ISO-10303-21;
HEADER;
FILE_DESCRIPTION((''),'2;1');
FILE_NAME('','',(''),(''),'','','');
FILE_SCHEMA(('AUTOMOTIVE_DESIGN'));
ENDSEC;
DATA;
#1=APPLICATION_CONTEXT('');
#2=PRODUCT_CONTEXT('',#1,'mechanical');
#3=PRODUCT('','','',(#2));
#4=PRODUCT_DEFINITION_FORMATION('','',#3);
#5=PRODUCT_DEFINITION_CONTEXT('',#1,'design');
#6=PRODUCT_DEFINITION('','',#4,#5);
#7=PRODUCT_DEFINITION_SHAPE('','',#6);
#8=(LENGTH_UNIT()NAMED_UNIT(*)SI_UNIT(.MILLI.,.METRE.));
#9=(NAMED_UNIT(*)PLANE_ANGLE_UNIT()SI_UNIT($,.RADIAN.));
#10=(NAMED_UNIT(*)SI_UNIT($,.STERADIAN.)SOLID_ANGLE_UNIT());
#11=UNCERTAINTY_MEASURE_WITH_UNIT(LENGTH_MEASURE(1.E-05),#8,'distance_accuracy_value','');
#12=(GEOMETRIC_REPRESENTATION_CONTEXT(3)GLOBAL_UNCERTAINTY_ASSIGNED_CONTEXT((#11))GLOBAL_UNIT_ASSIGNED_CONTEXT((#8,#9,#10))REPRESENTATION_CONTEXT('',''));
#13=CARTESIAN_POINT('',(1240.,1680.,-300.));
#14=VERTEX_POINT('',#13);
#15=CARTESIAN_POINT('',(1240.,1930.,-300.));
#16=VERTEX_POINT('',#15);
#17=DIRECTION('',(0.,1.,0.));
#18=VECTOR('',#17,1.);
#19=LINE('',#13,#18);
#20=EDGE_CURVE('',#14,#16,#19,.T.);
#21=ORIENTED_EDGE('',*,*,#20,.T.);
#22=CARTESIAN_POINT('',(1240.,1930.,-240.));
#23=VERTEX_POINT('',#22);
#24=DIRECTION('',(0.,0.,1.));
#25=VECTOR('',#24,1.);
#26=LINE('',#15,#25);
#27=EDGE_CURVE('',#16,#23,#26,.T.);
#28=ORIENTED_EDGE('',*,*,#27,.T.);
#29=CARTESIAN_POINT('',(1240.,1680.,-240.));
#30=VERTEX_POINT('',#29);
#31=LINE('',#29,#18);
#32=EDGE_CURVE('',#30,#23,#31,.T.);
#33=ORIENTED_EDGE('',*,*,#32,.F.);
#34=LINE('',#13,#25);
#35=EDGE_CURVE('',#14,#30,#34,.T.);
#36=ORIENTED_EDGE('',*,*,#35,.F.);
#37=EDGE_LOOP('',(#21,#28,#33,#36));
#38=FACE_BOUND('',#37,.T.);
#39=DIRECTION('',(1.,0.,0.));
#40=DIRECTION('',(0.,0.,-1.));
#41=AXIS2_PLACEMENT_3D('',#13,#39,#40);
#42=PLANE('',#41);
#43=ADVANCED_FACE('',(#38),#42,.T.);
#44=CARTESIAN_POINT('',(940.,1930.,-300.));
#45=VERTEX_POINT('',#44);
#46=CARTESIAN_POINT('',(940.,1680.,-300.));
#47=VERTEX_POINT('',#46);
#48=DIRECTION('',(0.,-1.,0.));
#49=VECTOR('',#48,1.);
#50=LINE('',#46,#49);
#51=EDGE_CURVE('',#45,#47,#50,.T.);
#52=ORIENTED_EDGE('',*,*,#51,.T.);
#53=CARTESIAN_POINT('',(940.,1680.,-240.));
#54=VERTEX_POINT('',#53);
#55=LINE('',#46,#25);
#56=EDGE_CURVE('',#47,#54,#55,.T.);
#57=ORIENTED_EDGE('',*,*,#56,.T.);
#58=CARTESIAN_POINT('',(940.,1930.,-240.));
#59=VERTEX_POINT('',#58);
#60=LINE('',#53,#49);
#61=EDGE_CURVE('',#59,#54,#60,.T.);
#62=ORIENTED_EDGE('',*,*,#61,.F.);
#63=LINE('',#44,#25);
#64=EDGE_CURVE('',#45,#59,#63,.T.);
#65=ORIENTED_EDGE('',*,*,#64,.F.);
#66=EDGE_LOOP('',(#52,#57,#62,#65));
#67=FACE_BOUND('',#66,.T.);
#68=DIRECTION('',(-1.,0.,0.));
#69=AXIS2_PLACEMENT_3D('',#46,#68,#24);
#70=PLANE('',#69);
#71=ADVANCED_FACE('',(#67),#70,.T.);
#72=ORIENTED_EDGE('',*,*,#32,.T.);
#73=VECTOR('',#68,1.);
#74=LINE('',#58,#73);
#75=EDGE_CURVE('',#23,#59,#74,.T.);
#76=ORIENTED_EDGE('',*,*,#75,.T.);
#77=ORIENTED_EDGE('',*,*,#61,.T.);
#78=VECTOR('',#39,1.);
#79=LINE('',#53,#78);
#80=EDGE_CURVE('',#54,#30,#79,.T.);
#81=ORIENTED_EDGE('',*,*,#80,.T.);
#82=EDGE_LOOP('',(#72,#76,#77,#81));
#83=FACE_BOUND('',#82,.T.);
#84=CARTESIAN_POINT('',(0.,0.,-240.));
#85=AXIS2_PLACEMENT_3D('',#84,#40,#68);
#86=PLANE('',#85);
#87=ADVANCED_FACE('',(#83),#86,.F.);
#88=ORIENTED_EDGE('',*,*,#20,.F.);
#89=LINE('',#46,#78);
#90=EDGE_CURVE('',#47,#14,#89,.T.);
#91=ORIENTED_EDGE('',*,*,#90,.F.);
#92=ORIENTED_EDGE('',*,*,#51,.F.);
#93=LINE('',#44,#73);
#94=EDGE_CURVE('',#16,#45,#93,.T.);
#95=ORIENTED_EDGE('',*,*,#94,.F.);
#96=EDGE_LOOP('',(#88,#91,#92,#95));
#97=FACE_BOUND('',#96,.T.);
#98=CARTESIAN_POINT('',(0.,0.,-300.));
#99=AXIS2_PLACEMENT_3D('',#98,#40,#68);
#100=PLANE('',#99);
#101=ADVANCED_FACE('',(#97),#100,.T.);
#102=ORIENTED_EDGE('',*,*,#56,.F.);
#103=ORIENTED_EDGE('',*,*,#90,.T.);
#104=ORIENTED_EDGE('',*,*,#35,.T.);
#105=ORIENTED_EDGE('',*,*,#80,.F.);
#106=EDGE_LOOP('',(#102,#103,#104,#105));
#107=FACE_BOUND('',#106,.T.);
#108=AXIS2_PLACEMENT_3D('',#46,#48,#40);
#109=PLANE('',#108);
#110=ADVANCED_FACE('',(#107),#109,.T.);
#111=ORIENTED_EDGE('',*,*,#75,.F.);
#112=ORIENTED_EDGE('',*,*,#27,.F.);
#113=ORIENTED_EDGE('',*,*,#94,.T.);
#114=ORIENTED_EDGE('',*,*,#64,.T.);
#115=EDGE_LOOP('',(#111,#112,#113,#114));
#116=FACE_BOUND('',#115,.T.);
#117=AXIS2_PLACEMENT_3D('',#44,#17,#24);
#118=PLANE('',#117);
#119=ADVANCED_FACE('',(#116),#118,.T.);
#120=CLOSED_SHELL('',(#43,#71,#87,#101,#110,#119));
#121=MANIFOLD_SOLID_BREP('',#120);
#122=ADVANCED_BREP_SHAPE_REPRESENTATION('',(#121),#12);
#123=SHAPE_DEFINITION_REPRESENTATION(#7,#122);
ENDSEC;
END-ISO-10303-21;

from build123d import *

# Parameters (mm, degrees)
STORE_SOG2_KONDENSER_1_START = -240
SKETCH1_W                    = 300
SKETCH1_H                    = 250
STORE_SOG2_KONDENSER_1_DEPTH = 60


with BuildPart() as part:
    # Sketch1 → STORE_sog2_kondenser_1 (new body)
    with BuildSketch(Plane.XY.offset(STORE_SOG2_KONDENSER_1_START)):
        with Locations((1090, 1805)):
            Rectangle(SKETCH1_W, SKETCH1_H)
    extrude(amount=-STORE_SOG2_KONDENSER_1_DEPTH)


solid = part.part
